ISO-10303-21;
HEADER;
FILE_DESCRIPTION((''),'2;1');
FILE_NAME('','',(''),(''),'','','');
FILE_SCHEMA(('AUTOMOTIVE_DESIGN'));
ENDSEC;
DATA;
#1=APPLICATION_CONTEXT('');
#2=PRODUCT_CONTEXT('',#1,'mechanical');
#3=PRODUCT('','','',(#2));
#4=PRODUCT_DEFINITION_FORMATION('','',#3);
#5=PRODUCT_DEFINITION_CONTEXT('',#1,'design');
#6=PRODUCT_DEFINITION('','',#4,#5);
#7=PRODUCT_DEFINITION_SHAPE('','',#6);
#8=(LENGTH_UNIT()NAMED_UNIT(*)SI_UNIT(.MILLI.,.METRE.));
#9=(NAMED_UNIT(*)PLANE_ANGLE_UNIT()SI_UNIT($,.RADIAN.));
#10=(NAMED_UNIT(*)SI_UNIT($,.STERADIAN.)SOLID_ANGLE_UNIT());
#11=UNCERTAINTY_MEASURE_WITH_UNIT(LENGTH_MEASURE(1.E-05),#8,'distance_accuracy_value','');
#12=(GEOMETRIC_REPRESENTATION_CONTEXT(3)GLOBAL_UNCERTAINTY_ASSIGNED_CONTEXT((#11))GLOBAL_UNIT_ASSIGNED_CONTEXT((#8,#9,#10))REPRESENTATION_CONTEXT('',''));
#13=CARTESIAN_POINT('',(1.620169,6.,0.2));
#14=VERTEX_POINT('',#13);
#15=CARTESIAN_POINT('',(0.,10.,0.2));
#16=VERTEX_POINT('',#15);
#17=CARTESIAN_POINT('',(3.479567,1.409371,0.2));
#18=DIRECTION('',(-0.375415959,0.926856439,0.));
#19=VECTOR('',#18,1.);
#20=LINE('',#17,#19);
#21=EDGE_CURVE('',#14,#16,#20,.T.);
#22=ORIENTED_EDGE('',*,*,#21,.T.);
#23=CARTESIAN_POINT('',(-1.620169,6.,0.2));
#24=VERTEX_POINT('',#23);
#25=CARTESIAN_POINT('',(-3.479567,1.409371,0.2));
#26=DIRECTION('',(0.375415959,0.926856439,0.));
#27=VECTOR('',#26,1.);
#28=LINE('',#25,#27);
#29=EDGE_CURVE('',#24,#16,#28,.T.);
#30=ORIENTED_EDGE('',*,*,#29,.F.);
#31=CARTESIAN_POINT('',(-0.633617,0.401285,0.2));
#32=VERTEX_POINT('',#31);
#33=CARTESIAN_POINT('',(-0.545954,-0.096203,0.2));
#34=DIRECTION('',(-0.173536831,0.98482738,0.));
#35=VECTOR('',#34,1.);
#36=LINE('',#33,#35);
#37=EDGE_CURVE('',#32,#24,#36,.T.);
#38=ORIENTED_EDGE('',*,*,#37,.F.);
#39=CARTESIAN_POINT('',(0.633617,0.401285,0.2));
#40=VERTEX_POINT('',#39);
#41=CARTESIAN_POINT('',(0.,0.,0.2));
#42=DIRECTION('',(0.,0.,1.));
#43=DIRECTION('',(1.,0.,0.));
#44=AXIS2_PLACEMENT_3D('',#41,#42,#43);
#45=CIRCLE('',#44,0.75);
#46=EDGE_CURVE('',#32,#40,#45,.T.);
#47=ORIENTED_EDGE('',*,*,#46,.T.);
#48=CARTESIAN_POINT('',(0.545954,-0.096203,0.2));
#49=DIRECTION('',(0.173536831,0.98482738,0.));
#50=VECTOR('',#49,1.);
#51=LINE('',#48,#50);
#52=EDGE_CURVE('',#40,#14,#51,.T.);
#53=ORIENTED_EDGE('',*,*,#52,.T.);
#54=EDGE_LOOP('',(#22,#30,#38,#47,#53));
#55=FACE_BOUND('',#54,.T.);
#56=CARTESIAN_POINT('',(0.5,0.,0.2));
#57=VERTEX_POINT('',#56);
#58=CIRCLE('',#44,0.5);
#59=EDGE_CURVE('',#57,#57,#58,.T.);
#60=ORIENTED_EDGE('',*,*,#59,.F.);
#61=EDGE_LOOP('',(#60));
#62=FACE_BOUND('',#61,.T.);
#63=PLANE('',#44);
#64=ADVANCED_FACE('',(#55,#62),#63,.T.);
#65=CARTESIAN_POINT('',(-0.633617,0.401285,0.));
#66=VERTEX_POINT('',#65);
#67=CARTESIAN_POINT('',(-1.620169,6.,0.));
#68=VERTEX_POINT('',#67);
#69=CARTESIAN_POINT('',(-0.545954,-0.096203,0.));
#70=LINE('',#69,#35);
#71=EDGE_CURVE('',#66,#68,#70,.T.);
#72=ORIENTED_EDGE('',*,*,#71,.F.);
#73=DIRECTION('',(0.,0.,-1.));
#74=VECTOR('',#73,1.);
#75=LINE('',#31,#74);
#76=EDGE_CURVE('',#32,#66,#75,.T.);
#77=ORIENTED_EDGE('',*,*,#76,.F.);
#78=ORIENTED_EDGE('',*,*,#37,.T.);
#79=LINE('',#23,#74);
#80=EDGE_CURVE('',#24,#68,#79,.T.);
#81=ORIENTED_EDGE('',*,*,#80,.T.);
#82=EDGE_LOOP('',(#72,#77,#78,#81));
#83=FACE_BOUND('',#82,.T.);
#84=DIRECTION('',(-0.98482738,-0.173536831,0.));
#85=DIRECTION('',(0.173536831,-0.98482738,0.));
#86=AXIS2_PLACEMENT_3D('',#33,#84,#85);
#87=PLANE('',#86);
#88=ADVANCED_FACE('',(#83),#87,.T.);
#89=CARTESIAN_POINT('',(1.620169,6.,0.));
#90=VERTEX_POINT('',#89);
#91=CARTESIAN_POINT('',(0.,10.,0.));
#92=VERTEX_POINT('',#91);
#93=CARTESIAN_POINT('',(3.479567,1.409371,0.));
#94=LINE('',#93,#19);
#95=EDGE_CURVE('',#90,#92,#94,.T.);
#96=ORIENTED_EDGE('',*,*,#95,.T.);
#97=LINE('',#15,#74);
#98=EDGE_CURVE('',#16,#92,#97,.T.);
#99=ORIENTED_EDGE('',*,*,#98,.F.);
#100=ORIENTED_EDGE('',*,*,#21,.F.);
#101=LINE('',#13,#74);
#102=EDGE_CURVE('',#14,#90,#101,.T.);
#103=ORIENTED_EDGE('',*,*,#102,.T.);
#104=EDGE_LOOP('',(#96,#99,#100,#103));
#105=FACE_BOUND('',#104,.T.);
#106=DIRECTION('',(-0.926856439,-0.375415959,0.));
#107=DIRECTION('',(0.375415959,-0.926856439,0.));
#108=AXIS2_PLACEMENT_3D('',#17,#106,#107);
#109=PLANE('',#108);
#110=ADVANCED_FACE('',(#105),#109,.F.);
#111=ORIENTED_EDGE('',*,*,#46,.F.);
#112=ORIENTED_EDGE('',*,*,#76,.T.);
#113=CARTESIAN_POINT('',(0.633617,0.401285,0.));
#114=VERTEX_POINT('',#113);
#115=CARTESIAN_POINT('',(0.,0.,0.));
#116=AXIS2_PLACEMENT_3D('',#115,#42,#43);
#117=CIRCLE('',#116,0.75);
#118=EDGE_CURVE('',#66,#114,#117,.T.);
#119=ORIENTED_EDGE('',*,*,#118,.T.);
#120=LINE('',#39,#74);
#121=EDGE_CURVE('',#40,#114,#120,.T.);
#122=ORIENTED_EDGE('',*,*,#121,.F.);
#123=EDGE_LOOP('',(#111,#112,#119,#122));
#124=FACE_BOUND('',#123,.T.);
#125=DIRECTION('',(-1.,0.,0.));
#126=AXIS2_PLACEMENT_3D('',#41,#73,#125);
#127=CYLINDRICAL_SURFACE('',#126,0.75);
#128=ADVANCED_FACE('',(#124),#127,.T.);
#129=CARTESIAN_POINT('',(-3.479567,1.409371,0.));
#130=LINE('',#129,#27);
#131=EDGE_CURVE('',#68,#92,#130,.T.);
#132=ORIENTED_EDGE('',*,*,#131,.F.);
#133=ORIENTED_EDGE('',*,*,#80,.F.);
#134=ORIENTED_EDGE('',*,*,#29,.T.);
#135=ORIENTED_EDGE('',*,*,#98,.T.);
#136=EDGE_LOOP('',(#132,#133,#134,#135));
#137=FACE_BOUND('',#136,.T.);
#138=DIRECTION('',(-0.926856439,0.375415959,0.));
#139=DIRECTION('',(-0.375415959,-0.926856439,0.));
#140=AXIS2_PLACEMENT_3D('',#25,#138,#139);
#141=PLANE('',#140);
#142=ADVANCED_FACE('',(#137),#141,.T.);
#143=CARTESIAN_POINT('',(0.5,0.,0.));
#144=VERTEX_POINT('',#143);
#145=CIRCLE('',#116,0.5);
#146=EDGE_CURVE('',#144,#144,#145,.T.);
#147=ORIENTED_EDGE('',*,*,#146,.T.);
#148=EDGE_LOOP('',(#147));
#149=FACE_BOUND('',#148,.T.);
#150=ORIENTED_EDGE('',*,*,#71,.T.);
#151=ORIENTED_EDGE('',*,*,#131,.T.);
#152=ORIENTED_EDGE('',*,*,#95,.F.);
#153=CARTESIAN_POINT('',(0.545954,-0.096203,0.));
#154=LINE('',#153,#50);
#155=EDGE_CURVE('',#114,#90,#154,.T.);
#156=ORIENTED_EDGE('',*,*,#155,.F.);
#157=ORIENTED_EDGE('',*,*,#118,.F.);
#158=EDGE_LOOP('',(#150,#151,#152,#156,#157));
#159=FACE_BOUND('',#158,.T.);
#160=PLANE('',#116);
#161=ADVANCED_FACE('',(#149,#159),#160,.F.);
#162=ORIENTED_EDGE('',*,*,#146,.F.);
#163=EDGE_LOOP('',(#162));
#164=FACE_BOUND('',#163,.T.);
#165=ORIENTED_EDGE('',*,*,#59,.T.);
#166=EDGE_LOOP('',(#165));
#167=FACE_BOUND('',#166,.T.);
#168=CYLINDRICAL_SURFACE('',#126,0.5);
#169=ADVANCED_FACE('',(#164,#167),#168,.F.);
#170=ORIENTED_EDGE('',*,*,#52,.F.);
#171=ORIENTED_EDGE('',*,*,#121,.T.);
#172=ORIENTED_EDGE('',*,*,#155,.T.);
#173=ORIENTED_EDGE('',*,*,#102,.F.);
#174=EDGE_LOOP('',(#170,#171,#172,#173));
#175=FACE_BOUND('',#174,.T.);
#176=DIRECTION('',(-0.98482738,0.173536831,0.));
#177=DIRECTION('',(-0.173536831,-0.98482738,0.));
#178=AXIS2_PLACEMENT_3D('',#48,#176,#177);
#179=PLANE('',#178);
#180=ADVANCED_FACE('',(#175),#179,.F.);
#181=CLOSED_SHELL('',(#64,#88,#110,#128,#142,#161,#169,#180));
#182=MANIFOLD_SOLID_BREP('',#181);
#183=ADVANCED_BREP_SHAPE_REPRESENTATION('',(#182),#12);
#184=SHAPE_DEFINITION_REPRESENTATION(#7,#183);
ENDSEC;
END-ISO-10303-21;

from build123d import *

# Parameters (mm, degrees)
CROQUIS1_R              = 0.5
SALIENTE_EXTRUIR2_DEPTH = 0.2


with BuildPart() as part:
    # Croquis1 → Saliente-Extruir2 (new body)
    with BuildSketch(Plane.XY):
        with BuildLine():
            Line((-1.620168748, 6), (-0.633616905, 0.401284958))
            ThreePointArc((-0.633616905, 0.401284958), (0, -0.75), (0.633616905, 0.401284958))
            Line((0.633616905, 0.401284958), (1.620168748, 6))
            Line((1.620168748, 6), (0, 10))
            Line((0, 10), (-1.620168748, 6))
        make_face()
        Circle(CROQUIS1_R, mode=Mode.SUBTRACT)
    extrude(amount=SALIENTE_EXTRUIR2_DEPTH)


solid = part.part
